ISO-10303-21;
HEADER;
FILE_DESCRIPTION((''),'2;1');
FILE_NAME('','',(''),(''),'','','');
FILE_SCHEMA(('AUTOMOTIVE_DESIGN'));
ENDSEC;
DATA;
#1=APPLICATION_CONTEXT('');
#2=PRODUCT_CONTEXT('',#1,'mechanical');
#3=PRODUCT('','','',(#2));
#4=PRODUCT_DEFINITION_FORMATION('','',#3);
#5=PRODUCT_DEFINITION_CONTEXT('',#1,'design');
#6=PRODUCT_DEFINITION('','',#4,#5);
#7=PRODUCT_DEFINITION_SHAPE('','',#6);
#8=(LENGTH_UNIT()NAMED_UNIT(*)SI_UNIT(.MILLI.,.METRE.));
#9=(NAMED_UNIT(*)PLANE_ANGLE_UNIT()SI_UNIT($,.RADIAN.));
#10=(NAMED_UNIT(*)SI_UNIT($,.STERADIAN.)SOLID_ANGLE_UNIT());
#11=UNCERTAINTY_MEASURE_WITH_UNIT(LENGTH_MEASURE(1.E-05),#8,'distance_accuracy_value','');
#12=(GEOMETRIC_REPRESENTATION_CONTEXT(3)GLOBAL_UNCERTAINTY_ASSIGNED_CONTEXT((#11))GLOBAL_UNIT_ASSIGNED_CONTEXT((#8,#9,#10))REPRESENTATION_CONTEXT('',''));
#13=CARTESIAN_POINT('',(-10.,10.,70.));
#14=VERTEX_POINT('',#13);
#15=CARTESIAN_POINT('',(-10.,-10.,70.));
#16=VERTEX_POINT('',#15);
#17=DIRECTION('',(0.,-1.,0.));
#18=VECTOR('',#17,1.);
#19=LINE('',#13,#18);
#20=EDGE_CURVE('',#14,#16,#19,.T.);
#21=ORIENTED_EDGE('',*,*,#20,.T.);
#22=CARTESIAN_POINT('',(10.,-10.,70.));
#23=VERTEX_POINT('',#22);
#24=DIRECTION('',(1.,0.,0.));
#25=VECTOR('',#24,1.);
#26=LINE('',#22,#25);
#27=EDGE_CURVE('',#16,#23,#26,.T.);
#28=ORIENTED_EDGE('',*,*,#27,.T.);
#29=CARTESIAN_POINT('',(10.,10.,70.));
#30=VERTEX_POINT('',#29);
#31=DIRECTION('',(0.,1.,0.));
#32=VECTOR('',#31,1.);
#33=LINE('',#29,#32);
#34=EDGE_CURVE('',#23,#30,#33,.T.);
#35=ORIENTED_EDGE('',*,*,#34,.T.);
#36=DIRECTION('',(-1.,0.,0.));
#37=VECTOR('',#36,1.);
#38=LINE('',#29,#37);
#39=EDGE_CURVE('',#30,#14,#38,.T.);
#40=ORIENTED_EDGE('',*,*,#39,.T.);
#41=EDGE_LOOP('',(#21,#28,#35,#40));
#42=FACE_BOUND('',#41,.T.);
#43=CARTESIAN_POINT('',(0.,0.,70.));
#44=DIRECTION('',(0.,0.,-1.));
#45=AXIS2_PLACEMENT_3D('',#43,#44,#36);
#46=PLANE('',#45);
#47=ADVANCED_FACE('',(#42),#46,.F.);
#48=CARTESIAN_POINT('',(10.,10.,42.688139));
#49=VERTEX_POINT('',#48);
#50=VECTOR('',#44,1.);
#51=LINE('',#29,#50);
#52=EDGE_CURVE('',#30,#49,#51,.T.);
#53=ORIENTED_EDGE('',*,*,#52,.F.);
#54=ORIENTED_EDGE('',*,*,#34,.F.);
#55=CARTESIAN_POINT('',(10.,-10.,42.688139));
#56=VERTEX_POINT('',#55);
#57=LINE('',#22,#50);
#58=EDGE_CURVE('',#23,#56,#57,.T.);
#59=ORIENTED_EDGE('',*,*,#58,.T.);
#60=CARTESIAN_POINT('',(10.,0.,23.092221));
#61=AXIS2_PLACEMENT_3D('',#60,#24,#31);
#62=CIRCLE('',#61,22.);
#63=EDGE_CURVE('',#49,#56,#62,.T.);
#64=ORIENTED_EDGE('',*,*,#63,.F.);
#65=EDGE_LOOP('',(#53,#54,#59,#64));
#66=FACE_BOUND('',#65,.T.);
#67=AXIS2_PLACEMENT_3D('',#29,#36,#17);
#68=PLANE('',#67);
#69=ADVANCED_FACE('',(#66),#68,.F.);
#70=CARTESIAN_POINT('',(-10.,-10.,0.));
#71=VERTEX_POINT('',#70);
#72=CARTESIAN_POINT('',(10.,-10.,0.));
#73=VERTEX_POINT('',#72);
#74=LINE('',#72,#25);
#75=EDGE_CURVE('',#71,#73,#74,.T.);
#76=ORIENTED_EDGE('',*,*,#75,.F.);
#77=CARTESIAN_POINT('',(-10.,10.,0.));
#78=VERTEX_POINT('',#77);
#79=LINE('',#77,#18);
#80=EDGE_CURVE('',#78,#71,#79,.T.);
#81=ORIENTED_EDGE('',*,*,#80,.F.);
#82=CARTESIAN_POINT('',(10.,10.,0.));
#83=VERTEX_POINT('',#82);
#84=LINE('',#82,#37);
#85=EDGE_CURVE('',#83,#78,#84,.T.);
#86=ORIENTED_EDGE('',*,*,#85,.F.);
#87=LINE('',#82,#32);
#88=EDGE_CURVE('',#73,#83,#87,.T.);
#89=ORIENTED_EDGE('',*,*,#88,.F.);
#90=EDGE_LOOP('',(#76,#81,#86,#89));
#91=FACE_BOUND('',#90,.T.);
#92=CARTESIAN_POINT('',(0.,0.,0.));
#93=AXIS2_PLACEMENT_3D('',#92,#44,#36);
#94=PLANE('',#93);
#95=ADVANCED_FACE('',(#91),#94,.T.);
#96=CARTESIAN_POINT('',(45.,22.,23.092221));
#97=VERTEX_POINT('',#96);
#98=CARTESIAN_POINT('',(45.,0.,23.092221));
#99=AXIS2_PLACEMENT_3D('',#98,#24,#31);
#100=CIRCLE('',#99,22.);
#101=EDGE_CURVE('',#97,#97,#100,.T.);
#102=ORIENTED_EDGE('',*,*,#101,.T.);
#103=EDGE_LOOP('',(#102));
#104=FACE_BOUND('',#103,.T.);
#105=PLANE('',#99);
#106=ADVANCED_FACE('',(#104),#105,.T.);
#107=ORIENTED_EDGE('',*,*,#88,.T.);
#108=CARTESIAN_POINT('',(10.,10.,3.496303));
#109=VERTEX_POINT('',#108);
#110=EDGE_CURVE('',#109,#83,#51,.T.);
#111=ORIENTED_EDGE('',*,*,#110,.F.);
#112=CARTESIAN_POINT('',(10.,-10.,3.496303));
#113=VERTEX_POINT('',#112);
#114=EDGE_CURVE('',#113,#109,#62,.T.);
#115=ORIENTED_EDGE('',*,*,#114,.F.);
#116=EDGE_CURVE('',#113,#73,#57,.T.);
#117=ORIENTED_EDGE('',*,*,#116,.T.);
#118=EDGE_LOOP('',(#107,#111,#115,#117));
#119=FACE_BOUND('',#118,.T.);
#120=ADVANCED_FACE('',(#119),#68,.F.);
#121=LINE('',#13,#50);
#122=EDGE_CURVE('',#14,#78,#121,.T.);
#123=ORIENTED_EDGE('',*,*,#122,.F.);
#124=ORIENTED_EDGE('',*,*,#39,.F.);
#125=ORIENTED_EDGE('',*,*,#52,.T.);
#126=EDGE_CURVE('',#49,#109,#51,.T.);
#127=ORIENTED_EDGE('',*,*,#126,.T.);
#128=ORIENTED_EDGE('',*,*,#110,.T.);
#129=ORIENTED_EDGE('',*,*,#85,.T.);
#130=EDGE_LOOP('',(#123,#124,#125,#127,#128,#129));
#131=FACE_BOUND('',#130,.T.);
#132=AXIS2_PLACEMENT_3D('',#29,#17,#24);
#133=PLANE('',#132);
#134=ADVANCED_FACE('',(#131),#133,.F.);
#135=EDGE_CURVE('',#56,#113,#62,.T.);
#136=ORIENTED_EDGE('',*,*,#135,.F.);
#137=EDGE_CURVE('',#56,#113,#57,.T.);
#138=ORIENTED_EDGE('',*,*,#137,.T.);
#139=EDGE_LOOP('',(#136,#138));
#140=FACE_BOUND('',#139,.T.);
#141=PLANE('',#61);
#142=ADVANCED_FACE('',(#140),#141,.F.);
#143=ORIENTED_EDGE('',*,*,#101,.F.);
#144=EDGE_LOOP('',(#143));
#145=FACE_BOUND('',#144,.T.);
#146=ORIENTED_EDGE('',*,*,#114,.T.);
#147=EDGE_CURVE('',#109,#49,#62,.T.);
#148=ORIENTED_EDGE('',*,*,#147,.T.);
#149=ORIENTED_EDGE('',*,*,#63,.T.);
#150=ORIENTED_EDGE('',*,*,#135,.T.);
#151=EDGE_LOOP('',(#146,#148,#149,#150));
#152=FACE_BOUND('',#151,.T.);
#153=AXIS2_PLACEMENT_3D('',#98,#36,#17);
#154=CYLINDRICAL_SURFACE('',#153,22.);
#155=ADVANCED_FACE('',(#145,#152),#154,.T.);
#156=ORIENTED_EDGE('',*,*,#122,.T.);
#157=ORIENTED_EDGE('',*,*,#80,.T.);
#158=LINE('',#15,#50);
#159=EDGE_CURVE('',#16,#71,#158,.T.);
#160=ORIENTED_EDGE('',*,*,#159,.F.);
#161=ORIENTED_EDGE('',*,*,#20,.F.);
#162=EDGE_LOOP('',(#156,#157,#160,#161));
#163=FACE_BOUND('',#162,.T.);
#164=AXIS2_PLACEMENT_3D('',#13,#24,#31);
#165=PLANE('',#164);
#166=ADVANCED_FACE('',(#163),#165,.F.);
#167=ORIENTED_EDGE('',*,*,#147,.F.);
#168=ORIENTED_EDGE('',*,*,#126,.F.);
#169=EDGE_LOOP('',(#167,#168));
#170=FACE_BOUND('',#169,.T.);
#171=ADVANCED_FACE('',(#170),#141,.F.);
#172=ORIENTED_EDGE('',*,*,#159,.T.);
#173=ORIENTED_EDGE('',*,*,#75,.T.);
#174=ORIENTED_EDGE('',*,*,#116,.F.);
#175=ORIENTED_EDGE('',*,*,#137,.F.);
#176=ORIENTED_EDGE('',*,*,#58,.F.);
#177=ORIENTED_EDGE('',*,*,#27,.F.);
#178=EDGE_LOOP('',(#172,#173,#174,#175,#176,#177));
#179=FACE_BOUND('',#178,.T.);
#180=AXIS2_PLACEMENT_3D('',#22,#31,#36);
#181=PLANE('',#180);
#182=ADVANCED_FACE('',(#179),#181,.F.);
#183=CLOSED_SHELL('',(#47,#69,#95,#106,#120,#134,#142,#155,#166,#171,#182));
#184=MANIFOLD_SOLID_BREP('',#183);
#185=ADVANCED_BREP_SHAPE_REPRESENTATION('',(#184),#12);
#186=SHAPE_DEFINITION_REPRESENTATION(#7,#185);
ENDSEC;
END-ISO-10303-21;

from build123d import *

# Parameters (mm, degrees)
SKIZZE3_W                       = 20
SKIZZE3_H                       = 20
AUFSATZ_LINEAR_AUSTRAGEN2_DEPTH = 70
SKIZZE4_R                       = 22
AUFSATZ_LINEAR_AUSTRAGEN3_DEPTH = 35


with BuildPart() as part:
    # Skizze3 → Aufsatz-Linear austragen2 (new body)
    with BuildSketch(Plane.XY):
        Rectangle(SKIZZE3_W, SKIZZE3_H)
    extrude(amount=AUFSATZ_LINEAR_AUSTRAGEN2_DEPTH)

    # Skizze4 → Aufsatz-Linear austragen3 (add)
    with BuildSketch(Plane(origin=(10, 0, 0), x_dir=(0, 0, -1), z_dir=(1, 0, 0))):
        with Locations((-23.092221055, 0)):
            Circle(SKIZZE4_R)
    extrude(amount=AUFSATZ_LINEAR_AUSTRAGEN3_DEPTH)


solid = part.part
